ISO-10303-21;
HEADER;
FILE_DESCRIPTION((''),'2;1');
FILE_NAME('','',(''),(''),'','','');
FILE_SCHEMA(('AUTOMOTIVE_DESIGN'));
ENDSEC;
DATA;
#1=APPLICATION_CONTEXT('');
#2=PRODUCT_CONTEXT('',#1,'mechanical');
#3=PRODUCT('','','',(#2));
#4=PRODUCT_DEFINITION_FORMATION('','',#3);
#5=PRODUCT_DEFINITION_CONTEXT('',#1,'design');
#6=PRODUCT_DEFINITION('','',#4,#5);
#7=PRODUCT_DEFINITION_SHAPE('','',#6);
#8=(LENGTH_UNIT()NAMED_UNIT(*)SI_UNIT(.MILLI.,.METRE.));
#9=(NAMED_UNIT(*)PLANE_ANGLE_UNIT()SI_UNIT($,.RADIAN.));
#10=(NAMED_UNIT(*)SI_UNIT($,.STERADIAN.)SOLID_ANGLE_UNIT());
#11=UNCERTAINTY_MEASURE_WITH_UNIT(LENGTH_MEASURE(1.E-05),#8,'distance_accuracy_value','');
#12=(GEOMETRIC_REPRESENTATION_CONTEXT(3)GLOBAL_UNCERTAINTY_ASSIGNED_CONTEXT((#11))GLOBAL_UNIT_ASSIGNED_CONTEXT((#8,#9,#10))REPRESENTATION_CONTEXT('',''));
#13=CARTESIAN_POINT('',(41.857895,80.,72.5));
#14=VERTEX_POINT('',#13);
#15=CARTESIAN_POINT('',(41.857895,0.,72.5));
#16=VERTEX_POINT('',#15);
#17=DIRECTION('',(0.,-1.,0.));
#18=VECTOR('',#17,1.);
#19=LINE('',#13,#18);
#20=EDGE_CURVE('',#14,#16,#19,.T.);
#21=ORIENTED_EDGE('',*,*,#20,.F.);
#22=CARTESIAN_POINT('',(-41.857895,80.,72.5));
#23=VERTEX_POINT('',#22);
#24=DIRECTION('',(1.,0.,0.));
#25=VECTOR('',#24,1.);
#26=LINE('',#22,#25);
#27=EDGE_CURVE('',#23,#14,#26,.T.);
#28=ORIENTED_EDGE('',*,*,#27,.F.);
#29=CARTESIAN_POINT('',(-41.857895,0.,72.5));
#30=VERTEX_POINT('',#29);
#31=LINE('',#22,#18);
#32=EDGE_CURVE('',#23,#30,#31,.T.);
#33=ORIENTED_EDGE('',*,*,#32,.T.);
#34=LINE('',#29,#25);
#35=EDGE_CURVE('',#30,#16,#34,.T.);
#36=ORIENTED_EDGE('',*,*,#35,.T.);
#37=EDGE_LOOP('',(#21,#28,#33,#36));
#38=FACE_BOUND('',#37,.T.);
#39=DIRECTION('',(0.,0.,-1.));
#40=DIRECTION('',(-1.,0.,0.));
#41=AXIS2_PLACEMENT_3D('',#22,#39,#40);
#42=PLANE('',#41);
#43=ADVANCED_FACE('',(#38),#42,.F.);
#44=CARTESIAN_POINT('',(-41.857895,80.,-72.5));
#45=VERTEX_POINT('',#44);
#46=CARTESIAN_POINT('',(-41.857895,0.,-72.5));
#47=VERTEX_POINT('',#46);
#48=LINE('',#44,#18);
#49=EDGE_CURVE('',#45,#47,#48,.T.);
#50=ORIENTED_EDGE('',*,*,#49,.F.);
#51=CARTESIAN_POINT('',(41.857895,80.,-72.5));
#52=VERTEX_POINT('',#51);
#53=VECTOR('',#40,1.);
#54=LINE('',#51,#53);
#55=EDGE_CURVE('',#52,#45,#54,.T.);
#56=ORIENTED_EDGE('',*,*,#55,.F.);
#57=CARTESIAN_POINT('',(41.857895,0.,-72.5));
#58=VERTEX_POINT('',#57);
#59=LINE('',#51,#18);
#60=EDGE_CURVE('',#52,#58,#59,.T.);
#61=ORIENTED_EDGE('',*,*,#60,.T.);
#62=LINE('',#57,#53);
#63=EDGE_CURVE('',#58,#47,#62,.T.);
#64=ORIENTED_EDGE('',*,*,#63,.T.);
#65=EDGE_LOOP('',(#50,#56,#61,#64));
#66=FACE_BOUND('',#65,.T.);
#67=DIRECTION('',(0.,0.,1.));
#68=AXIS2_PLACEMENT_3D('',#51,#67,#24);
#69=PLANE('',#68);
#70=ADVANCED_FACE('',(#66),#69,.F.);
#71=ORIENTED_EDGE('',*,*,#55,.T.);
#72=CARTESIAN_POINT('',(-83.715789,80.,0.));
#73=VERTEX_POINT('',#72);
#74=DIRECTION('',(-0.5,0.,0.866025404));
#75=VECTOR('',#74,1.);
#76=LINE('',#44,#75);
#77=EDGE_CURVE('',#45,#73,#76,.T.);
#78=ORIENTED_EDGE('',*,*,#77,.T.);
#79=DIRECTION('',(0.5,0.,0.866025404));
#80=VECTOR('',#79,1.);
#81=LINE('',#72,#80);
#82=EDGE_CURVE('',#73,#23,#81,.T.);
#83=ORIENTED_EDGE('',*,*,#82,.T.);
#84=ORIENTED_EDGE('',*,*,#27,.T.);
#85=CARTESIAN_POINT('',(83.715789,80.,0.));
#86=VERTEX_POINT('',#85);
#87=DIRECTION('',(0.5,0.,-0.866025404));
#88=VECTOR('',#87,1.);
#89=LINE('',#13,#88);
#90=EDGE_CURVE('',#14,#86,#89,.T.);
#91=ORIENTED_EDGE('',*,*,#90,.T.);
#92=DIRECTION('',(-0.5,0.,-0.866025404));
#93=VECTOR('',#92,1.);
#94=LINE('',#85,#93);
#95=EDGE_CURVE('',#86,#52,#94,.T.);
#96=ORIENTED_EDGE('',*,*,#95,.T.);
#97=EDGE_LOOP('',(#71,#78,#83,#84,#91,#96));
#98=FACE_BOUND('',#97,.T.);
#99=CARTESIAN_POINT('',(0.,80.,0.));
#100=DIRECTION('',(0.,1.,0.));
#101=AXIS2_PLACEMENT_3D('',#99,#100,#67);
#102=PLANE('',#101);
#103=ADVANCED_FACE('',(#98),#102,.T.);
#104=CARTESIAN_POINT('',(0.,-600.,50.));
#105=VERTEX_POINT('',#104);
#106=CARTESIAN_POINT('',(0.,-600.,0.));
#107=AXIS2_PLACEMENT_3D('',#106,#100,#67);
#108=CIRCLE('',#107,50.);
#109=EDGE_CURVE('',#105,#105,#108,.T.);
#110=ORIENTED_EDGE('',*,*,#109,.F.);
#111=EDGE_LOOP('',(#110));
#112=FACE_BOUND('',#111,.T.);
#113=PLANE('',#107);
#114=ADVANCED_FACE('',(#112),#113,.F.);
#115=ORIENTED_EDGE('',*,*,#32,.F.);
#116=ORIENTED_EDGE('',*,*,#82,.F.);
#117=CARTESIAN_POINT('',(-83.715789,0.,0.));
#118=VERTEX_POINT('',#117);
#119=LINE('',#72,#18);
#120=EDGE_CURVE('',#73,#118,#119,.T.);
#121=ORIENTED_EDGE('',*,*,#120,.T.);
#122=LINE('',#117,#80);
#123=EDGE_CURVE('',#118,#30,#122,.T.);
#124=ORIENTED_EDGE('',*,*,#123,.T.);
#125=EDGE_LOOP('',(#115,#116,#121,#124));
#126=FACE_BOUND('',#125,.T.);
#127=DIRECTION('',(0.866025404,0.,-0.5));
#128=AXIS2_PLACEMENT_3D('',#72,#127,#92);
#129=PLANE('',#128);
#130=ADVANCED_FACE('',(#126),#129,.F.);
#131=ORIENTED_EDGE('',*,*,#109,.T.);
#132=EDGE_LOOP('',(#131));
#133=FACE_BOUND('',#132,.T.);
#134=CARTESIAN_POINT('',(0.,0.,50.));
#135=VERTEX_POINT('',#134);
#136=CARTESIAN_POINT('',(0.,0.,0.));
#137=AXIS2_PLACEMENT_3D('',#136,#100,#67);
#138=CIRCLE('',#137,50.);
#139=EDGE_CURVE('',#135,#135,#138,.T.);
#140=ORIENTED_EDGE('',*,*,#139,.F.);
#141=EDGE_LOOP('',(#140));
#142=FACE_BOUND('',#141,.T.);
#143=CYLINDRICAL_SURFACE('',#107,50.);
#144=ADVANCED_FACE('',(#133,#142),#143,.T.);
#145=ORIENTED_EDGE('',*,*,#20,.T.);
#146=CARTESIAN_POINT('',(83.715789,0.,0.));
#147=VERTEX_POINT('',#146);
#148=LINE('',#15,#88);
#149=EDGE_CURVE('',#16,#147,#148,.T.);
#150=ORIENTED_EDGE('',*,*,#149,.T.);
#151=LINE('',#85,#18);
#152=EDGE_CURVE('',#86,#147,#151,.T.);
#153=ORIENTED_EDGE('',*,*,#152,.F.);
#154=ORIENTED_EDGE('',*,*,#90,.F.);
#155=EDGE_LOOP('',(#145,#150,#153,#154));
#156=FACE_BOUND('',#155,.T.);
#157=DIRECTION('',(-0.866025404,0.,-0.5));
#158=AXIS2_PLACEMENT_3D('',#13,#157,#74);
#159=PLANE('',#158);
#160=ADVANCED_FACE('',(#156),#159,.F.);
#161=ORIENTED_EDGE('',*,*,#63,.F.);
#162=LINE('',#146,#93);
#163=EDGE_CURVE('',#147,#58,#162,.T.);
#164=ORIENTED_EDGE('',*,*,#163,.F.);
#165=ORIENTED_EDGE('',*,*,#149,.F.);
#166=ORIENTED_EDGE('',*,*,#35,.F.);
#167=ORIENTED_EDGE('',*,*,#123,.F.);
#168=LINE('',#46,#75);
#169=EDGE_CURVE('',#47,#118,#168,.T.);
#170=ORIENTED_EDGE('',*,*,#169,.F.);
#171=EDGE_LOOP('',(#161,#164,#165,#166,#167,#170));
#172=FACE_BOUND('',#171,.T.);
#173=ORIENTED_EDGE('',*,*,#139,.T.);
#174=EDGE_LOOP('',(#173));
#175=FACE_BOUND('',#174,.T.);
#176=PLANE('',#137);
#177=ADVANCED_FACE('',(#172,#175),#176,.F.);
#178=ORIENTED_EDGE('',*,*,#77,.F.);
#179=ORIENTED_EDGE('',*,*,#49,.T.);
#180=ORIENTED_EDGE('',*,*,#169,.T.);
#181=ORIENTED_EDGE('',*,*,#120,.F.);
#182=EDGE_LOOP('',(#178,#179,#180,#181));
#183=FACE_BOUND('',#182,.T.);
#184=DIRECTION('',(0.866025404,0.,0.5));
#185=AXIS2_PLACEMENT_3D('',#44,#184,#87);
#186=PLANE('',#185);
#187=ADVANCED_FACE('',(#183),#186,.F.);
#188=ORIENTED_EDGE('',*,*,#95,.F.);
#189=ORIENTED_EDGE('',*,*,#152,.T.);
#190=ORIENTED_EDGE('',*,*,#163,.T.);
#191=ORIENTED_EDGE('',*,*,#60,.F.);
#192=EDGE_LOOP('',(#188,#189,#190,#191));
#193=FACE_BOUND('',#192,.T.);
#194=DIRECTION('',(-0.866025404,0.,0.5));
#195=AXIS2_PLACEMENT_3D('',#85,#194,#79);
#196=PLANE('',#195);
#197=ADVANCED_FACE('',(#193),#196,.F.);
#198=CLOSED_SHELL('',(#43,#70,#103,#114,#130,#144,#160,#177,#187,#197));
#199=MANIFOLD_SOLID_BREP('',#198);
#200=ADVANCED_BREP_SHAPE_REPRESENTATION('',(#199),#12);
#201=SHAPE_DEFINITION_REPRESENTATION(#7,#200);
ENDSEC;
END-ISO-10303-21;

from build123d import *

# Parameters (mm, degrees)
SKETCH_1_R      = 50
EXTRUDE_1_DEPTH = 600
EXTRUDE_2_DEPTH = 80


with BuildPart() as part:
    # ｽｹｯﾁ1 → ﾎﾞｽ - 押し出し1 (new body)
    with BuildSketch(Plane(origin=(0, 0, 0), x_dir=(1, 0, 0), z_dir=(0, 1, 0))):
        Circle(SKETCH_1_R)
    extrude(amount=-EXTRUDE_1_DEPTH)

    # ｽｹｯﾁ2 → ﾎﾞｽ - 押し出し2 (add)
    with BuildSketch(Plane(origin=(0, 0, 0), x_dir=(1, 0, 0), z_dir=(0, 1, 0))):
        Polygon((41.857894516, -72.5), (83.715789032, 0), (41.857894516, 72.5), (-41.857894516, 72.5), (-83.715789032, 0), (-41.857894516, -72.5), align=None)
    extrude(amount=EXTRUDE_2_DEPTH)


solid = part.part
